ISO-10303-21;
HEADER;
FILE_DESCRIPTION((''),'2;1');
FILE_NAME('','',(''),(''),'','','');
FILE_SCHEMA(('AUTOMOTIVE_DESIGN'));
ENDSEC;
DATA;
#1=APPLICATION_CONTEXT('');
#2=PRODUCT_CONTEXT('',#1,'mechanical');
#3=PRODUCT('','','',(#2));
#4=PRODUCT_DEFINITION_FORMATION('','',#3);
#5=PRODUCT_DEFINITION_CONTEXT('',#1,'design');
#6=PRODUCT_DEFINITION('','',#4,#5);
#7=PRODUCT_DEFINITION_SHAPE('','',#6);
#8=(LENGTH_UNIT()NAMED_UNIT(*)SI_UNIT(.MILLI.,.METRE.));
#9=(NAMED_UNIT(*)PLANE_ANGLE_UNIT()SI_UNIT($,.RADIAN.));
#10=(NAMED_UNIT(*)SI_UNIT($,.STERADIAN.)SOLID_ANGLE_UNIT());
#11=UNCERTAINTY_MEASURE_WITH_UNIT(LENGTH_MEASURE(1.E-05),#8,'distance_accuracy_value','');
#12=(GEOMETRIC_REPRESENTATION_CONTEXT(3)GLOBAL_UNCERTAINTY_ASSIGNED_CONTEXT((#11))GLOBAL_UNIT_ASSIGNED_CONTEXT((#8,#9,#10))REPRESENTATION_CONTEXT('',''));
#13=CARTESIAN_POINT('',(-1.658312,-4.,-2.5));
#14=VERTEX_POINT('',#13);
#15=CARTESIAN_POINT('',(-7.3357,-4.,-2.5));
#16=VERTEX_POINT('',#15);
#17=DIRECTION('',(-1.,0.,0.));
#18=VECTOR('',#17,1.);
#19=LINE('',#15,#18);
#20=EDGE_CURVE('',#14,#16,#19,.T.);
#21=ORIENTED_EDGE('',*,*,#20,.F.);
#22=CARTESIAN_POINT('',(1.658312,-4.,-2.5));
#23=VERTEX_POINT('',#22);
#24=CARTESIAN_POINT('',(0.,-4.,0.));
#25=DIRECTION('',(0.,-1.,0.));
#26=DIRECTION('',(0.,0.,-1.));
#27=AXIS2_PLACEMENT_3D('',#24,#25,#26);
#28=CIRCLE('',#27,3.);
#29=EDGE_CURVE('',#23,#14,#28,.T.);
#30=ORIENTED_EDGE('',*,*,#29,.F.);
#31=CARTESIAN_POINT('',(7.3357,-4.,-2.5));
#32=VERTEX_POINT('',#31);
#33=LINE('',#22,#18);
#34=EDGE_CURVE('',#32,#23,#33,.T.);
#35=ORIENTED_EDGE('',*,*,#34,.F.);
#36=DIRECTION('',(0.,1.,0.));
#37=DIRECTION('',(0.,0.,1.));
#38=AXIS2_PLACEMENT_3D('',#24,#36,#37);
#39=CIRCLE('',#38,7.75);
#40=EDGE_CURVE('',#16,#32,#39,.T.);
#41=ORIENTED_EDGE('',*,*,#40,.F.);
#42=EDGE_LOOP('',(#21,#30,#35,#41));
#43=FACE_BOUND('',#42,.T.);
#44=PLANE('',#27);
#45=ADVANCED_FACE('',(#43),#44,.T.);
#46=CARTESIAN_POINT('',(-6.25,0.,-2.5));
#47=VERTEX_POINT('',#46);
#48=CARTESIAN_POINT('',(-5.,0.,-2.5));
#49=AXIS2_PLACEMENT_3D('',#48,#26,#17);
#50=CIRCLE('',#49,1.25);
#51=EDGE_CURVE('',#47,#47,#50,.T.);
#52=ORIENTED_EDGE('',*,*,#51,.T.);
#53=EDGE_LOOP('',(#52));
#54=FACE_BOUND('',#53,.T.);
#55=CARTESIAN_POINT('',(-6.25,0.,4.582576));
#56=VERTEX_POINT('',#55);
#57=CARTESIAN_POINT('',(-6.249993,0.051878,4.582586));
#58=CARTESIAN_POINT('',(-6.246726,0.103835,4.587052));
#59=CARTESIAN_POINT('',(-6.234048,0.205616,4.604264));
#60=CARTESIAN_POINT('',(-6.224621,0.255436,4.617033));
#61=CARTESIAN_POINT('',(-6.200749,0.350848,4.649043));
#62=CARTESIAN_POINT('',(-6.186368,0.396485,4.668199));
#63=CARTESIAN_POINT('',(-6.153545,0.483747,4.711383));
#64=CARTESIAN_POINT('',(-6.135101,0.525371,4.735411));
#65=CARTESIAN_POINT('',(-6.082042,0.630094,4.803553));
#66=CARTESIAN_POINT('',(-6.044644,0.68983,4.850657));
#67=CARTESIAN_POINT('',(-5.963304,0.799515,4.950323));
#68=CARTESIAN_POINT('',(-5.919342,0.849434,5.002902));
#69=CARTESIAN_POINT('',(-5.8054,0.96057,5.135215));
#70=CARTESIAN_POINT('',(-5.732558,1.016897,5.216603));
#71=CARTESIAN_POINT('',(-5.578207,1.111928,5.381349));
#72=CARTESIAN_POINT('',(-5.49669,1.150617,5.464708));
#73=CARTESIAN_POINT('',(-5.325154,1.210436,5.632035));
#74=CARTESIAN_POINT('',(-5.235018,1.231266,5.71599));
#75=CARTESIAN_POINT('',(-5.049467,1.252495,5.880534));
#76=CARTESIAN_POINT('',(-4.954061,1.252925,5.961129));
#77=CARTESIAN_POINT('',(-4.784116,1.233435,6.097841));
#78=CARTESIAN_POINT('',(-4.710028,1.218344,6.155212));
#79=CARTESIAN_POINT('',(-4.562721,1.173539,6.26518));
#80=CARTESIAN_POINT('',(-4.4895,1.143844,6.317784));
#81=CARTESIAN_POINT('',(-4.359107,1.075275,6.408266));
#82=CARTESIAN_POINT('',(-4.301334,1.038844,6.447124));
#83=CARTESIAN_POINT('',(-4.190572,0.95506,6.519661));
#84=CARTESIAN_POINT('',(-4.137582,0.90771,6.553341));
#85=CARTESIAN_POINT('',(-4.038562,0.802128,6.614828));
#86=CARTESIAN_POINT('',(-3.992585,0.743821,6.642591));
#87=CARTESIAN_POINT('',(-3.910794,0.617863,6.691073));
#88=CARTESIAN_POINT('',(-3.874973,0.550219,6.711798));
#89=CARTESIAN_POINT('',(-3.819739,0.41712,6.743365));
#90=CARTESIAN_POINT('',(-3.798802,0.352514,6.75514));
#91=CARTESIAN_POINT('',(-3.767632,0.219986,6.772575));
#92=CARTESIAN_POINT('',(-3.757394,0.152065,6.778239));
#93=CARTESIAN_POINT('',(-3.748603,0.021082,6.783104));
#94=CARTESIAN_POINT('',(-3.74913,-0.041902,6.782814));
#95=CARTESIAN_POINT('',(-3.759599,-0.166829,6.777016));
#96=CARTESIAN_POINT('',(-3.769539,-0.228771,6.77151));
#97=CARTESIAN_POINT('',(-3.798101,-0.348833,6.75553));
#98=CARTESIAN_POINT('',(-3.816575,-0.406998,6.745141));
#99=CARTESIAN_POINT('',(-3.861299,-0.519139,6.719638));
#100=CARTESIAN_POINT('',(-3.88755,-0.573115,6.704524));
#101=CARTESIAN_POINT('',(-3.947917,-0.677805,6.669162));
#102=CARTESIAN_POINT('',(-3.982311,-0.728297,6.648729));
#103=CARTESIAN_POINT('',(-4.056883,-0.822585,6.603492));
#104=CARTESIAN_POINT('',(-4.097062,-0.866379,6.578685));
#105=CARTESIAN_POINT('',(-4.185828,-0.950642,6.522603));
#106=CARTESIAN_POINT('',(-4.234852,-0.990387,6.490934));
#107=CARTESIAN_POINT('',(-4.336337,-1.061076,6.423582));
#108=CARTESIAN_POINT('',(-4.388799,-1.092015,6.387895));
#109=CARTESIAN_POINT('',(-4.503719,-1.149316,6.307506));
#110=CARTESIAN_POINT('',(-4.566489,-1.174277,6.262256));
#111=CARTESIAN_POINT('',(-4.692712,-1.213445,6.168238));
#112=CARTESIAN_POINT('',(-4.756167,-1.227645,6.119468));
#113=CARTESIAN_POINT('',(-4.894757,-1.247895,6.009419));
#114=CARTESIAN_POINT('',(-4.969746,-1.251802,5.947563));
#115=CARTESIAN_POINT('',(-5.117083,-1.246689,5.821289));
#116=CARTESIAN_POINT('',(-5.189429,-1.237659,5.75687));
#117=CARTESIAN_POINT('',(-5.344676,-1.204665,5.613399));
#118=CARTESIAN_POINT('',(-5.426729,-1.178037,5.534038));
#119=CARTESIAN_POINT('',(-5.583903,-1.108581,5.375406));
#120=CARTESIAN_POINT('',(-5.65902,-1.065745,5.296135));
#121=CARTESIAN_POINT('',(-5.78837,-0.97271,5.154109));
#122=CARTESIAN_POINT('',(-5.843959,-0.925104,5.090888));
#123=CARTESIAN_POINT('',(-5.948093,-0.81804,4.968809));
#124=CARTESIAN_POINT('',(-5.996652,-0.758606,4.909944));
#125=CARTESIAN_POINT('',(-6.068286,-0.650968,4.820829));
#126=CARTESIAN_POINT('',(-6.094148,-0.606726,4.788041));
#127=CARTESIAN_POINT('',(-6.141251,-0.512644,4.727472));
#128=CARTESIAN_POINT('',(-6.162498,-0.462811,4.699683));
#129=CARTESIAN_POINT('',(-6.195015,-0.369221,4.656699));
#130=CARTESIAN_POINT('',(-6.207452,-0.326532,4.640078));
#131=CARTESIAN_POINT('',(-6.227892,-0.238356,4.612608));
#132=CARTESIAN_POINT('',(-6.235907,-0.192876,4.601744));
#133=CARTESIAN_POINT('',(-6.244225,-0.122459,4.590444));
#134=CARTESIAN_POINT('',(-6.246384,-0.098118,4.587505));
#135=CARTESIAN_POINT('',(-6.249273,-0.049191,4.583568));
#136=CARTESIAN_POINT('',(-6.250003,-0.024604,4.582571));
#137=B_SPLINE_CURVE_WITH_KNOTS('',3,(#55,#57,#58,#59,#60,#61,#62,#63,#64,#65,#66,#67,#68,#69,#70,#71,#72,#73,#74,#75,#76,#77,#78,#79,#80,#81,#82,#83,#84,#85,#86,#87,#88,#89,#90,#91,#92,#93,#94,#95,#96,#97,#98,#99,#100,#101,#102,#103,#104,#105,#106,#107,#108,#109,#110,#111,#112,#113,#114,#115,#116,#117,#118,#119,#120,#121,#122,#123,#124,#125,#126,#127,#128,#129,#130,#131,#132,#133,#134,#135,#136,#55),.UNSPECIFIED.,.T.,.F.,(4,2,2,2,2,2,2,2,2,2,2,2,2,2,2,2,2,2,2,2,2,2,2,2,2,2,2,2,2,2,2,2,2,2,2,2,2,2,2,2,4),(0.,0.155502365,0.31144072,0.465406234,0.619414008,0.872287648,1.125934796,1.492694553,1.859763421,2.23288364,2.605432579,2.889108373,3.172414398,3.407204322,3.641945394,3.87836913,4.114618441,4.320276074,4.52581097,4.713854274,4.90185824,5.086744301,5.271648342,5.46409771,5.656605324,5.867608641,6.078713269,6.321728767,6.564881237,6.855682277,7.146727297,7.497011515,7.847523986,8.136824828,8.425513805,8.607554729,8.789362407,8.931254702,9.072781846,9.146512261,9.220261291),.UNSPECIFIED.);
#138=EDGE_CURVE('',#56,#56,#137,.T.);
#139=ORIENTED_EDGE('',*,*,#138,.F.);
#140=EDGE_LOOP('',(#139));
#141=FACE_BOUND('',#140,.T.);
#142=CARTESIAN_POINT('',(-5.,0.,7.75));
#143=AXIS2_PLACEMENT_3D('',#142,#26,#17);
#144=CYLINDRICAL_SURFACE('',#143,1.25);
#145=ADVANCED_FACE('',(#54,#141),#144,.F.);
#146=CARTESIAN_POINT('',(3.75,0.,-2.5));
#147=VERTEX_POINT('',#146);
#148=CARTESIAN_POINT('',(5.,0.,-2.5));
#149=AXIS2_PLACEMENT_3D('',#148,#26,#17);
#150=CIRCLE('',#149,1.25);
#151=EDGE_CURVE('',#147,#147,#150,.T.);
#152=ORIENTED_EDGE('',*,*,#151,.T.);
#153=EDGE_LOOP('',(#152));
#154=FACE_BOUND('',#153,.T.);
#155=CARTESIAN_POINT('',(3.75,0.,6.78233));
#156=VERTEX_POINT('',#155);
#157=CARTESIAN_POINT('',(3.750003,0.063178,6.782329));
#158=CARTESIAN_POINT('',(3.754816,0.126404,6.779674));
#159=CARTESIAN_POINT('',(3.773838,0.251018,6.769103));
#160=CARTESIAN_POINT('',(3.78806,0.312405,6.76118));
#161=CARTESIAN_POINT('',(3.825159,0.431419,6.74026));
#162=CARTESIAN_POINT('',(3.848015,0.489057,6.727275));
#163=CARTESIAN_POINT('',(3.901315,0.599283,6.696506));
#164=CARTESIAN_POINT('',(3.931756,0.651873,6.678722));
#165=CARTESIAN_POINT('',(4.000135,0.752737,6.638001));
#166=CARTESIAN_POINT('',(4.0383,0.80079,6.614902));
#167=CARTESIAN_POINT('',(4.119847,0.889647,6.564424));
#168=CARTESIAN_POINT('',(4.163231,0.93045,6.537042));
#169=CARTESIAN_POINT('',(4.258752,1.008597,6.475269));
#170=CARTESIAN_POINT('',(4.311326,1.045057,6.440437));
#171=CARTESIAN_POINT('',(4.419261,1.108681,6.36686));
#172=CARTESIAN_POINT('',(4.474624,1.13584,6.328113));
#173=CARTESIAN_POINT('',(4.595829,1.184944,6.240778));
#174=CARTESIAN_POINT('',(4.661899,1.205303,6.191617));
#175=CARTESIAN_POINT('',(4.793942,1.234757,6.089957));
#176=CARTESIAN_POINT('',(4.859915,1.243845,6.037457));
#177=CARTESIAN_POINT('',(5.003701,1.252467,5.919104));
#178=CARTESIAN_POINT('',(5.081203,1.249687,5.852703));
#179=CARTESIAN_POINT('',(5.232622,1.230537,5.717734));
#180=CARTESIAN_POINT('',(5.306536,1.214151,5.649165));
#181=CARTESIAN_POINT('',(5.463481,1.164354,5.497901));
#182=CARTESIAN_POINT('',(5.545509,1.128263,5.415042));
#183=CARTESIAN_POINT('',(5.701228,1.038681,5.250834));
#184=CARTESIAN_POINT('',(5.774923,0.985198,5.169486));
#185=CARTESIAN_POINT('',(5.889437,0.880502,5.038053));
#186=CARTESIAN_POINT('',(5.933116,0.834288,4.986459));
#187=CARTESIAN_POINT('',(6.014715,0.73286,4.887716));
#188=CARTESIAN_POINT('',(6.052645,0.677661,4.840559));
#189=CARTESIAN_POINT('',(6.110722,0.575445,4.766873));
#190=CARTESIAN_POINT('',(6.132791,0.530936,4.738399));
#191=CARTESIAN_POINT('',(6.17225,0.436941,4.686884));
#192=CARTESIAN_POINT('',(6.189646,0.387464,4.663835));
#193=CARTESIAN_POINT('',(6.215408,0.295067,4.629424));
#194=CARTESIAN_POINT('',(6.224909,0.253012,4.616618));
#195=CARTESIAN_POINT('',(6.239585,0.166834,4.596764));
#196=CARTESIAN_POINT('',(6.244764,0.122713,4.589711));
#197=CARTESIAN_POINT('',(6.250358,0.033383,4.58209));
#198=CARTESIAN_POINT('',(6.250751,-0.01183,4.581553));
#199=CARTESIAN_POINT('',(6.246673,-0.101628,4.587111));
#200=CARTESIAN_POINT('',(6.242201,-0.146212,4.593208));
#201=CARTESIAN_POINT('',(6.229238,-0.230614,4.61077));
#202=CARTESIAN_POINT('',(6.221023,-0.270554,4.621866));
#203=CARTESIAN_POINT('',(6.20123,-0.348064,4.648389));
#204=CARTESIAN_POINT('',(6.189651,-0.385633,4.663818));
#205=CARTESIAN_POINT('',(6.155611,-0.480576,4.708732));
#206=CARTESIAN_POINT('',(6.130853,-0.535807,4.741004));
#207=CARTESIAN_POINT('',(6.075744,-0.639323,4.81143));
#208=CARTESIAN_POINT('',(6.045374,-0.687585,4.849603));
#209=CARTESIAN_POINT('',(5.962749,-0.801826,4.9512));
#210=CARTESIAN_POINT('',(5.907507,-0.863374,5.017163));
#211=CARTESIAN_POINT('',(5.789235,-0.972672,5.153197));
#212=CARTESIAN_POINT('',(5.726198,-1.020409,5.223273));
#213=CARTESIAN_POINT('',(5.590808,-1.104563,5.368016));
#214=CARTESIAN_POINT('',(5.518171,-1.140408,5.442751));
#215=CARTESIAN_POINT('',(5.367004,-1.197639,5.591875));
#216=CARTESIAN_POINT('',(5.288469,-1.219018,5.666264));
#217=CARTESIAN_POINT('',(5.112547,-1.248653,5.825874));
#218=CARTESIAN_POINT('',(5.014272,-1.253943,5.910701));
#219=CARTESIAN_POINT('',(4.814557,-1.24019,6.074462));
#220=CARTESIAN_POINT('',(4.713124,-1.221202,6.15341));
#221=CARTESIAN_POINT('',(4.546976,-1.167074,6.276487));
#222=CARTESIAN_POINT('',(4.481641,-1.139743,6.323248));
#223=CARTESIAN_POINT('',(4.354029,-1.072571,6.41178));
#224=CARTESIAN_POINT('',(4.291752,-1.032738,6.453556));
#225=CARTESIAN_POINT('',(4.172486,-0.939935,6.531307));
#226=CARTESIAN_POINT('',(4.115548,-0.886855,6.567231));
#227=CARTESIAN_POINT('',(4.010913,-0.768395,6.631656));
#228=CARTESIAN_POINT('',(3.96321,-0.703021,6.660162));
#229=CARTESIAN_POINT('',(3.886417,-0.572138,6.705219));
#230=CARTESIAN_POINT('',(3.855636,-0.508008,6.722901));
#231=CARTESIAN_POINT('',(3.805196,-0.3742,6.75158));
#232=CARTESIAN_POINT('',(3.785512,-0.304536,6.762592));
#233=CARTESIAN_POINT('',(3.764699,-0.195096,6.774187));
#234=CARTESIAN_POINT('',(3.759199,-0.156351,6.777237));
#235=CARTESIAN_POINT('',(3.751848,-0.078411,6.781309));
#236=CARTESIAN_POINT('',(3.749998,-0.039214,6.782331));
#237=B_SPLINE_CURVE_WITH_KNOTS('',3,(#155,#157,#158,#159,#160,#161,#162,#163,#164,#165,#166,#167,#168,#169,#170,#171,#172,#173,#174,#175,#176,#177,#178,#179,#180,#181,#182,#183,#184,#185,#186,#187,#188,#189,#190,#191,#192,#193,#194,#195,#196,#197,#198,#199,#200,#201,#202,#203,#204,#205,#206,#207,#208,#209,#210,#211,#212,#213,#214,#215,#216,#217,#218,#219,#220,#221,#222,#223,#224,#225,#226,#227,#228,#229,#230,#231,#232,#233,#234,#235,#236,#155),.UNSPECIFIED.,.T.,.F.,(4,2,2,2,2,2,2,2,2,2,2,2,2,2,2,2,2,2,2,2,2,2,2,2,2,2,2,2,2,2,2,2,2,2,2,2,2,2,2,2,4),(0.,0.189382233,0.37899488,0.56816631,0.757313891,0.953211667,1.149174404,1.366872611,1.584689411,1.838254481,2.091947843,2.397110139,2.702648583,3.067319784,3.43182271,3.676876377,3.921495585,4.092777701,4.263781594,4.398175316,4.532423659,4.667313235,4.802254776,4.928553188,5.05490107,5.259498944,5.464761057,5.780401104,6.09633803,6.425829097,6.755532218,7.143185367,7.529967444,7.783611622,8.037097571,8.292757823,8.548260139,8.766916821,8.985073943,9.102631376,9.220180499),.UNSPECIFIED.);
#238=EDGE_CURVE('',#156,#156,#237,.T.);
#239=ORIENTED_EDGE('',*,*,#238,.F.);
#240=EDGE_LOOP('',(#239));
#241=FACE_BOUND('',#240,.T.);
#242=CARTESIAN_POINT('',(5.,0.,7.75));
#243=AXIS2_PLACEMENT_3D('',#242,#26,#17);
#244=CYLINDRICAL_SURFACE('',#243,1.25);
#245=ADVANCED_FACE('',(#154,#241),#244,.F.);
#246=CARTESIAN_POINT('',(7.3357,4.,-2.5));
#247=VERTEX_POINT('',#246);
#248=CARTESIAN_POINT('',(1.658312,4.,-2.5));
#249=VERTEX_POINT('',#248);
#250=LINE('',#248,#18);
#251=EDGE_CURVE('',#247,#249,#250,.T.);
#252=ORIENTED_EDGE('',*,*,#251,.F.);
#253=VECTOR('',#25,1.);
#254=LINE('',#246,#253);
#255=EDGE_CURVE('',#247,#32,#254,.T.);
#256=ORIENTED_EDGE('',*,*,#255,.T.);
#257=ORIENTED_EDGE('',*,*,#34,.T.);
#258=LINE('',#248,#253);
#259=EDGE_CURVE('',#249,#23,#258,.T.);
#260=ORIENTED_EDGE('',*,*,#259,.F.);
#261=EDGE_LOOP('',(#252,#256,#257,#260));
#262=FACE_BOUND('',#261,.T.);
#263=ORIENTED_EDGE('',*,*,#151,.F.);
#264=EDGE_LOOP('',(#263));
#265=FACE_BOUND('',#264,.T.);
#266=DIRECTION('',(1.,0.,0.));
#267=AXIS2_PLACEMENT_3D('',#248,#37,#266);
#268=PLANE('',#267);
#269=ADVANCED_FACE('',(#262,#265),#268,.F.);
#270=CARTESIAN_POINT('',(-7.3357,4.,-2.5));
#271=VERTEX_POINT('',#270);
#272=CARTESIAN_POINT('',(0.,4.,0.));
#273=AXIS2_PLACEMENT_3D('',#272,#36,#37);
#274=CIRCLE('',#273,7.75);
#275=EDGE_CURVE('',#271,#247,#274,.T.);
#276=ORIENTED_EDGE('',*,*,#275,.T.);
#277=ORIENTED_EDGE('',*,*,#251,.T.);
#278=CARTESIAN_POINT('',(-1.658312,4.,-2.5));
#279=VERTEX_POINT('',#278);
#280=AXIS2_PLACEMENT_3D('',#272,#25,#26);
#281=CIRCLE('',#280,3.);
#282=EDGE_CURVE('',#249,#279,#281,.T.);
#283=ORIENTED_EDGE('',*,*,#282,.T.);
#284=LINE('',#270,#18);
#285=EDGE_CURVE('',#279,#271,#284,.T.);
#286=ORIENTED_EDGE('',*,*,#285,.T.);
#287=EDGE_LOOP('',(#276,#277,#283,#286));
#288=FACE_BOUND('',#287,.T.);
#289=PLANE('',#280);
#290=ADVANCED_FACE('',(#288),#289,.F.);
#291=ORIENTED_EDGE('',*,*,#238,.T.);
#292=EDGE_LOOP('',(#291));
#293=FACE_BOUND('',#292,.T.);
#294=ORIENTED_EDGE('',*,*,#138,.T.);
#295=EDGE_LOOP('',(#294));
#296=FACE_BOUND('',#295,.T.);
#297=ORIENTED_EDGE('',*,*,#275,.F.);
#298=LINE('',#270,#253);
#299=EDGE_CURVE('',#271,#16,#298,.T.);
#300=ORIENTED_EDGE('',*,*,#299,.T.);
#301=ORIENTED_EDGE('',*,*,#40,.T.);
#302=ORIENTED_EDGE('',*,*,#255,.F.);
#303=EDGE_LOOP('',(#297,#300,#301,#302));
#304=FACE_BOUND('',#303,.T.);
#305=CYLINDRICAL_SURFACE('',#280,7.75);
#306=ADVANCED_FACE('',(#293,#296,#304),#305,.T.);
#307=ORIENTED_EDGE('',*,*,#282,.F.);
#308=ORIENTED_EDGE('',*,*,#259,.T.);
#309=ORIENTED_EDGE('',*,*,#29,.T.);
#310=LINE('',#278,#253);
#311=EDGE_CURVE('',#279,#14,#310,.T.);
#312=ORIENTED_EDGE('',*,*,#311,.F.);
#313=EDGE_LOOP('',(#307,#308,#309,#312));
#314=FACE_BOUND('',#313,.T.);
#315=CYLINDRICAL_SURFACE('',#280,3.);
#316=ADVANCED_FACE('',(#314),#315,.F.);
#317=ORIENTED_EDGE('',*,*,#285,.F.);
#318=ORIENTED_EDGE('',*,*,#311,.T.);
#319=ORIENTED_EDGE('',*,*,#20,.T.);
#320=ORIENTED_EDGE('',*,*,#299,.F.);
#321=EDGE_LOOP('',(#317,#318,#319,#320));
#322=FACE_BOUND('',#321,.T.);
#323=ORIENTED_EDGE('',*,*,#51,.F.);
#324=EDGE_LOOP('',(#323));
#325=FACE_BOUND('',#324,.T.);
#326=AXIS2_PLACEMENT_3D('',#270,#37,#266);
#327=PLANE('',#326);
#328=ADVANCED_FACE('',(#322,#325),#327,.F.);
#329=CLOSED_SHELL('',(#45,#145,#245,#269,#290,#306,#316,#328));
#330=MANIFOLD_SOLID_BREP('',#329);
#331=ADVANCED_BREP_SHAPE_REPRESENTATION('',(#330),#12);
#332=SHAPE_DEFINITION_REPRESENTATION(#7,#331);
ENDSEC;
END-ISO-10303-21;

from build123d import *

# Parameters (mm, degrees)
BOSS_EXTRU_1_DEPTH      = 4
ESQUISSE2_R             = 1.25
ENL_V_MAT_EXTRU_1_DEPTH = 14.458268834


with BuildPart() as part:
    # Esquisse1 → Boss.-Extru.1 (new, symmetric)
    with BuildSketch(Plane(origin=(0, 0, 0), x_dir=(1, 0, 0), z_dir=(0, 1, 0))):
        with BuildLine():
            Line((-7.335700376, 2.5), (-1.658312395, 2.5))
            ThreePointArc((-1.658312395, 2.5), (0, -3), (1.658312395, 2.5))
            Line((1.658312395, 2.5), (7.335700376, 2.5))
            ThreePointArc((7.335700376, 2.5), (0, -7.75), (-7.335700376, 2.5))
        make_face()
    extrude(amount=BOSS_EXTRU_1_DEPTH, both=True)

    # Esquisse2 → Enlèv. mat.-Extru.1 (cut, through all)
    with BuildSketch(Plane(origin=(0, 0, -2.5), x_dir=(-1, 0, 0), z_dir=(0, 0, -1))):
        with Locations((-5, 0)):
            Circle(ESQUISSE2_R)
        with Locations((5, 0)):
            Circle(ESQUISSE2_R)
    extrude(amount=-ENL_V_MAT_EXTRU_1_DEPTH, mode=Mode.SUBTRACT)


solid = part.part
